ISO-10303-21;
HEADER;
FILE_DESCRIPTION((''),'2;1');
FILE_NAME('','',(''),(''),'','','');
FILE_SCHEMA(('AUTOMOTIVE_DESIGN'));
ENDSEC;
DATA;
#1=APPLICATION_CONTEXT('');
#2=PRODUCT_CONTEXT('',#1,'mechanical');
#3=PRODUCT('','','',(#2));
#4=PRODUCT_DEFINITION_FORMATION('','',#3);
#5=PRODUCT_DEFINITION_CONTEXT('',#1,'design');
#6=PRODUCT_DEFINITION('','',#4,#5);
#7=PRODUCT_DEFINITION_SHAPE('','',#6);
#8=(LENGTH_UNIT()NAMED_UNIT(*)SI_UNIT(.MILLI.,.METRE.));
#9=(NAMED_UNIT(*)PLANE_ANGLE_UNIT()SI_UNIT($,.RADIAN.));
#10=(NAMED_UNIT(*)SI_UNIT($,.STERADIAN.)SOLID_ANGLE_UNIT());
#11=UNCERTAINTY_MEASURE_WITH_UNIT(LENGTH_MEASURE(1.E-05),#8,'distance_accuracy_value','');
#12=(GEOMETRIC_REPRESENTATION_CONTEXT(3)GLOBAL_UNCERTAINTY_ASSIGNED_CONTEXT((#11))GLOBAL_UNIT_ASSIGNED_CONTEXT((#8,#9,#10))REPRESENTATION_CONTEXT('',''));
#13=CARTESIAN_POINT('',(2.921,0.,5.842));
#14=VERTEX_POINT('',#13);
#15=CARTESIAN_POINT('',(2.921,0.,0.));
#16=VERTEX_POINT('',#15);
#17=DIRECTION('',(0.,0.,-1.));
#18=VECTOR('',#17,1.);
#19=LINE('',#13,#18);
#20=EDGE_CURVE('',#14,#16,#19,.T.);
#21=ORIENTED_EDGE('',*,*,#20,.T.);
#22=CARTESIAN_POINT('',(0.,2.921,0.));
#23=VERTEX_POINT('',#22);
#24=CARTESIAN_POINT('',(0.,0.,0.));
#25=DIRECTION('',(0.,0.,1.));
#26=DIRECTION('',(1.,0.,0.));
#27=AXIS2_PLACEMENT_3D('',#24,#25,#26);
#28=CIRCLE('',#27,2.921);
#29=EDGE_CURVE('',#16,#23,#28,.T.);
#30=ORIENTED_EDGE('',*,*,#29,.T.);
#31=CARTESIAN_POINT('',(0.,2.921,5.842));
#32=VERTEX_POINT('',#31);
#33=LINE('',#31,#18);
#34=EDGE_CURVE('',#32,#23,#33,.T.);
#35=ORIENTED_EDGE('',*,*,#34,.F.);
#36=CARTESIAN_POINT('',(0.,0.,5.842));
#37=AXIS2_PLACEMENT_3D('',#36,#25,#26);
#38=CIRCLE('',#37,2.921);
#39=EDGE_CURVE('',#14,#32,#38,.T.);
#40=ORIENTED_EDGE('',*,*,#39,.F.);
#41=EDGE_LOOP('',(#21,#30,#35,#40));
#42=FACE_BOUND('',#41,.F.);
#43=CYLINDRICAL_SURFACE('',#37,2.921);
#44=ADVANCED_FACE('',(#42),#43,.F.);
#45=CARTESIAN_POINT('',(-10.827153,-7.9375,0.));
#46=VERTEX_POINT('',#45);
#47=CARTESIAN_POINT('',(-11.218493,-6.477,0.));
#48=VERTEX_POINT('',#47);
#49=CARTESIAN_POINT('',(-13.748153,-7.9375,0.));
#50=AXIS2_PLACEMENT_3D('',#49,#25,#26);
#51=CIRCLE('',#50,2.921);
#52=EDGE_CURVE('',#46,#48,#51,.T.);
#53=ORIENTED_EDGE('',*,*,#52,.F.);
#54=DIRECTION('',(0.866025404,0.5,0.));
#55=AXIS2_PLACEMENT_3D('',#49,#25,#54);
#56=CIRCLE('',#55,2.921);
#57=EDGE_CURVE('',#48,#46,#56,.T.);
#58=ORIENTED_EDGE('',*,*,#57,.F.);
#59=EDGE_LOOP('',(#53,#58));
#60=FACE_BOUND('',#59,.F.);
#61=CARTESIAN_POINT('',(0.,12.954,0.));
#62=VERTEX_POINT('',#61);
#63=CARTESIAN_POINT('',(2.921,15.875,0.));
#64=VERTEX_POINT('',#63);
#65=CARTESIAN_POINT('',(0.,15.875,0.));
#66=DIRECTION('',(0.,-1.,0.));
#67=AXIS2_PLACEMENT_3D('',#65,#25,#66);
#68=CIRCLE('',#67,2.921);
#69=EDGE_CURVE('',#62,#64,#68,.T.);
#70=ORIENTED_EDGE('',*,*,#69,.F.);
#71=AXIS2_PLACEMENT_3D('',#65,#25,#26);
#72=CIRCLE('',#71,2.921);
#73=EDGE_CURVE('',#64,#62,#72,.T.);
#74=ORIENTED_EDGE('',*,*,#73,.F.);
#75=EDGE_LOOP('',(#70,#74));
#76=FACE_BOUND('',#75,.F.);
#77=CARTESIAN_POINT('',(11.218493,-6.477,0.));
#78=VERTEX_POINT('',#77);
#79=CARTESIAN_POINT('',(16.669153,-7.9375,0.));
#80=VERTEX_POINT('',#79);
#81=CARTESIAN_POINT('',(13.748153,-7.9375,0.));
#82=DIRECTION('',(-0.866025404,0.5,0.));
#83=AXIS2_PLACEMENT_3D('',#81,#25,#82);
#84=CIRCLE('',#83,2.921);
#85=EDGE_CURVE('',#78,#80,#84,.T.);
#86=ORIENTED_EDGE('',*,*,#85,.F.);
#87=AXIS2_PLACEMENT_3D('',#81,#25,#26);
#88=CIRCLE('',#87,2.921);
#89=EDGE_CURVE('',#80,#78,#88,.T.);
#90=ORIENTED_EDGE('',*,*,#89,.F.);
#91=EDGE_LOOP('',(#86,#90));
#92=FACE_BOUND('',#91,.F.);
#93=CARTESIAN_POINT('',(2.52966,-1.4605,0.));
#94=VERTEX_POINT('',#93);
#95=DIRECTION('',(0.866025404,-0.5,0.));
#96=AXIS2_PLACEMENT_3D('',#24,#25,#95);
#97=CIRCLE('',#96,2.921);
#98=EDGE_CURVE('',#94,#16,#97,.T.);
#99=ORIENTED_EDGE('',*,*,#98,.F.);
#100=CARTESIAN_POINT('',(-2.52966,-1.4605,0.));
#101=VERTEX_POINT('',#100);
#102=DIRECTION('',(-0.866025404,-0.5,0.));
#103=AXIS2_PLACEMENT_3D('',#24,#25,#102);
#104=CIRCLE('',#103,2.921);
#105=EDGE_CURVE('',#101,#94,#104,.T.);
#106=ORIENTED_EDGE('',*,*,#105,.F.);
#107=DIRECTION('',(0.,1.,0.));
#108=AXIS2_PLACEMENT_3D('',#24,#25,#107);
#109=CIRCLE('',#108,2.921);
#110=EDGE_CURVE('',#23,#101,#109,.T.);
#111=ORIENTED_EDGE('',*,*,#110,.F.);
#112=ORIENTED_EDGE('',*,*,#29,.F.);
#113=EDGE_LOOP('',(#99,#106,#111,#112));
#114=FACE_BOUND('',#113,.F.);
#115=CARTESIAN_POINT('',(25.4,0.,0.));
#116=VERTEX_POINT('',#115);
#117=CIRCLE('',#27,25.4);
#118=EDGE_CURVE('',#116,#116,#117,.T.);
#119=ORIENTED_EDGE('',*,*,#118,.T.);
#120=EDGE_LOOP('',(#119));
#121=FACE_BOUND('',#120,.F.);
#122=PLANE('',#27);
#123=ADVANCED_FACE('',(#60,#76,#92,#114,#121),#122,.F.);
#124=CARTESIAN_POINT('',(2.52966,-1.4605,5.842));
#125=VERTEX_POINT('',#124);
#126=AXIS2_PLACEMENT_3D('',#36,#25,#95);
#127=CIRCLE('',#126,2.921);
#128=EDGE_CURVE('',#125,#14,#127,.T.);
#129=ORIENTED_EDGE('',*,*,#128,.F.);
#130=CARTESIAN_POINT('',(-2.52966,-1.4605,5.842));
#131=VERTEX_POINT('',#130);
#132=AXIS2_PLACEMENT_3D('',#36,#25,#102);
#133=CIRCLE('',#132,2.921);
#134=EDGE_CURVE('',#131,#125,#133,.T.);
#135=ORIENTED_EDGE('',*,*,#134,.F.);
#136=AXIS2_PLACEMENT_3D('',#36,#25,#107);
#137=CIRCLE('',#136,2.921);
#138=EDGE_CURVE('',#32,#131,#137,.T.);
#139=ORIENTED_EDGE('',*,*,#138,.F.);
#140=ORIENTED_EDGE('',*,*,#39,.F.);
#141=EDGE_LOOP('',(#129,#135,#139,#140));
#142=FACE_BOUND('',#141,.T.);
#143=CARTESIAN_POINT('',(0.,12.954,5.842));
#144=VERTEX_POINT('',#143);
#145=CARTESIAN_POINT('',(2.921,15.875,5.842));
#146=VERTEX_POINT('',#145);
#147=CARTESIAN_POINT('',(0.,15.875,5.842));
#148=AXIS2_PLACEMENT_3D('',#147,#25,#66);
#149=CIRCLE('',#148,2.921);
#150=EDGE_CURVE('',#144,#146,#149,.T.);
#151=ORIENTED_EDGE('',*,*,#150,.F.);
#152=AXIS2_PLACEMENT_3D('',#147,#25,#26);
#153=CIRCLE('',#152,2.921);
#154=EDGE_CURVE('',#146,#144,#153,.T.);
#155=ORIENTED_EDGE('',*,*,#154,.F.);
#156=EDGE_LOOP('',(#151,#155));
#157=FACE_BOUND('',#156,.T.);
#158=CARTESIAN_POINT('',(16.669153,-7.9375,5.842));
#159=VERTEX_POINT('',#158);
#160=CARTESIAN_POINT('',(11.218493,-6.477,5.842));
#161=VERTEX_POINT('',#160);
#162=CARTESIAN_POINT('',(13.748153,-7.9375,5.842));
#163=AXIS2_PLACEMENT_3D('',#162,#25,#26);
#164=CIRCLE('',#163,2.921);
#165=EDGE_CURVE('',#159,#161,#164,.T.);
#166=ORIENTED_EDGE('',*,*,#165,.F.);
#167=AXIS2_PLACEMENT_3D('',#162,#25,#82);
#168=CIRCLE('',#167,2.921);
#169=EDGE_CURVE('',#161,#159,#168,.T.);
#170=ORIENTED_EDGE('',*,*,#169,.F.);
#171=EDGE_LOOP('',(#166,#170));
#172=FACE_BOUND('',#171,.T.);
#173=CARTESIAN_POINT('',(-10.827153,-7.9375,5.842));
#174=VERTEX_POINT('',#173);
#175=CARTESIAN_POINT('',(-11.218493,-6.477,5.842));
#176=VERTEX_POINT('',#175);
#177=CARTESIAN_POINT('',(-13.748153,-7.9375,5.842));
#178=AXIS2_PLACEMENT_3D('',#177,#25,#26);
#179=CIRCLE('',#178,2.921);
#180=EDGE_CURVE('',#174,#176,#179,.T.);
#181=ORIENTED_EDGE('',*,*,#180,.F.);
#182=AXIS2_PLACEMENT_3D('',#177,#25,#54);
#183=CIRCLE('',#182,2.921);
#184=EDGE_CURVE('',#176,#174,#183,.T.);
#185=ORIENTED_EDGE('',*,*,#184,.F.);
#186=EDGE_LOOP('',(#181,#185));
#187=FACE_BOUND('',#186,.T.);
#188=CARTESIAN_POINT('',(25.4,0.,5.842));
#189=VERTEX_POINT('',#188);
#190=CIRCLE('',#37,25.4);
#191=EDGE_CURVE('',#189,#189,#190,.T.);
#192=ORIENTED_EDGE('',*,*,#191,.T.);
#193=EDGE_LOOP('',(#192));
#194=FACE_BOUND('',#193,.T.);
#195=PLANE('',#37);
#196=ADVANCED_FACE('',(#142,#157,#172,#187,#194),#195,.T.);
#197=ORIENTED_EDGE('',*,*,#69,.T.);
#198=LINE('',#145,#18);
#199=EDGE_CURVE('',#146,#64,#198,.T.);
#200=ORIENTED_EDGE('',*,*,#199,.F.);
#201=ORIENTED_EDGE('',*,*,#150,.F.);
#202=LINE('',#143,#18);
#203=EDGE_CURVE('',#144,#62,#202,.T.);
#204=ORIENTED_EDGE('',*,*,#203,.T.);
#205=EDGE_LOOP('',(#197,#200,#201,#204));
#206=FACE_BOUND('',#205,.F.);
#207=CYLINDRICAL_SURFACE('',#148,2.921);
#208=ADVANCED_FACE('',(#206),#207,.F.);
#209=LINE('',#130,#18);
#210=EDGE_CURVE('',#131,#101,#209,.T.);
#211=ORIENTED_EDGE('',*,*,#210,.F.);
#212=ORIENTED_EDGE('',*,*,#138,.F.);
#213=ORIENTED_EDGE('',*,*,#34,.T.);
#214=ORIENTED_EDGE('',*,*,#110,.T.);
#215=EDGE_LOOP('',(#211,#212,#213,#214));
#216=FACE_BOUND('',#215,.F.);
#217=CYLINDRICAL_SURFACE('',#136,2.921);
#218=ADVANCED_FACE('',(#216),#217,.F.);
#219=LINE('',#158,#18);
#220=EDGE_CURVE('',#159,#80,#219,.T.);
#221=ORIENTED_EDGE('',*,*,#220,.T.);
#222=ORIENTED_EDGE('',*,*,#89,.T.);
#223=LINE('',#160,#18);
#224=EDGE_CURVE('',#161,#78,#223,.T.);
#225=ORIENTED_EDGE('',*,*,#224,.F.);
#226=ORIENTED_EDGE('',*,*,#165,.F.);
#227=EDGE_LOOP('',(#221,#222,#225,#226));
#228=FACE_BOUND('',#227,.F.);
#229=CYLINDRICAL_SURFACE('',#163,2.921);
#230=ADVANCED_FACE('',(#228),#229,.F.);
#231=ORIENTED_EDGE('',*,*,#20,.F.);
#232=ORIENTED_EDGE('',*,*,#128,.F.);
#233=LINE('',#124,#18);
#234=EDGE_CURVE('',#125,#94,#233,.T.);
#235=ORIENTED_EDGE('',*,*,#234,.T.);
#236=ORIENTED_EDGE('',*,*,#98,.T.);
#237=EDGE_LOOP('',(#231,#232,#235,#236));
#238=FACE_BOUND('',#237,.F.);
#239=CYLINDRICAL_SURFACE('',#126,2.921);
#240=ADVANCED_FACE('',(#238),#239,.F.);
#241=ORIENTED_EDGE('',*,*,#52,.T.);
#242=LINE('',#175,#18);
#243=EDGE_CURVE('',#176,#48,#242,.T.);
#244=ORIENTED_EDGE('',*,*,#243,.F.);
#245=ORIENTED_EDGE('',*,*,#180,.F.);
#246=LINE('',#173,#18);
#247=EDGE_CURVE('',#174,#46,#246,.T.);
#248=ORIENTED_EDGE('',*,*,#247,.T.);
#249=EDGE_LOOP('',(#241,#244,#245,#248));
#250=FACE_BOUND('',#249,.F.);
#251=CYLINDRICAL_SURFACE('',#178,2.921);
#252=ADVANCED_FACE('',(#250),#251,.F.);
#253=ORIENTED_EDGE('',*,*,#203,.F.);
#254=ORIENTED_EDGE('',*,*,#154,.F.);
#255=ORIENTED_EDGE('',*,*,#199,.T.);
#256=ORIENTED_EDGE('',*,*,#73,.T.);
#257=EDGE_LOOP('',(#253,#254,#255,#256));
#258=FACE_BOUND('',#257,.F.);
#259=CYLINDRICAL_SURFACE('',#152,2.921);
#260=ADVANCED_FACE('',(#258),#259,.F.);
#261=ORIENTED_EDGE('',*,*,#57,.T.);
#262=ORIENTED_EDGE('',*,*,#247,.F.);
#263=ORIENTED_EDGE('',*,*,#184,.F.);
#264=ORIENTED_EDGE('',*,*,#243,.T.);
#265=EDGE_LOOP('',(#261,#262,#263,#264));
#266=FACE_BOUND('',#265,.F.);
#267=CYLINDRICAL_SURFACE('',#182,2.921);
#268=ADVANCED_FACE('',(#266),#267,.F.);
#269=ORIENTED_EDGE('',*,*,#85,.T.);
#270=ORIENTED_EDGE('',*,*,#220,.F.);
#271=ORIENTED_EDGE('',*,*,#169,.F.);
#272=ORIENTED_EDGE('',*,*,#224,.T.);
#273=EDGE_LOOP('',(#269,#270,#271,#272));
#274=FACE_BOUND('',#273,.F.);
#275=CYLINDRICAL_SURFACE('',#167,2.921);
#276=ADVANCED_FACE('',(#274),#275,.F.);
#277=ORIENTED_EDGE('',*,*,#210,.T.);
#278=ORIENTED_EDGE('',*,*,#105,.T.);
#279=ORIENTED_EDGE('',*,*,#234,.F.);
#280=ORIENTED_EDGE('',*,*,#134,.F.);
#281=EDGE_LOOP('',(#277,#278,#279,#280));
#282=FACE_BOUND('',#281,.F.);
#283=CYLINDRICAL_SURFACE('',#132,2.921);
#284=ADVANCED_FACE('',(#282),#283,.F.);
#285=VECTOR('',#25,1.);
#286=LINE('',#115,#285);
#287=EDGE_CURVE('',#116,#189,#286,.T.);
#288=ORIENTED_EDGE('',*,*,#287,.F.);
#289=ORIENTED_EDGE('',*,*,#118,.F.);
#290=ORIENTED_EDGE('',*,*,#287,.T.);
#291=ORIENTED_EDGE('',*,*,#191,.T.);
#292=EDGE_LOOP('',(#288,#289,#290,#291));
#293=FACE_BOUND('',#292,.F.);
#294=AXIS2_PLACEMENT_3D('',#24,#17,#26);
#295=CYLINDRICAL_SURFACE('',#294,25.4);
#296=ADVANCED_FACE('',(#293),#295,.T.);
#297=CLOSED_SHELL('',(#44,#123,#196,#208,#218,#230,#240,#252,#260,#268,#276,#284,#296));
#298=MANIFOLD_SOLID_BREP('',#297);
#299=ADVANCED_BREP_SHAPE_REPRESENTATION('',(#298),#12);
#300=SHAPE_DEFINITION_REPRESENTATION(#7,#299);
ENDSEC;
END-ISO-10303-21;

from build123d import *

# Parameters (mm, degrees)
F0_R     = 25.4
F1_DEPTH = 5.842
F3_DEPTH = 5.842


with BuildPart() as f1:
    # F0 (on Top) → F1 (new body)
    with BuildSketch(Plane.XY):
        Circle(F0_R)
    extrude(amount=F1_DEPTH)

    # F2 (on face) → F3 (cut, through all)
    with BuildSketch(Plane.XY.offset(5.842)):
        with BuildLine():
            ThreePointArc((0, 12.954), (2.0654589078, 13.8095410922), (2.921, 15.875))
            ThreePointArc((2.921, 15.875), (-2.0654589078, 17.9404589078), (0, 12.954))
        make_face()
        with BuildLine():
            ThreePointArc((-10.8271532851, -7.9375), (-10.9266839465, -7.1814895693), (-11.2184930806, -6.477))
            ThreePointArc((-11.2184930806, -6.477), (-16.5696226237, -8.6935104307), (-10.8271532851, -7.9375))
        make_face()
        with BuildLine():
            ThreePointArc((16.6691532851, -7.9375), (14.5041637158, -5.1160306614), (11.2184930806, -6.477))
            ThreePointArc((11.2184930806, -6.477), (12.9921428543, -10.7589693386), (16.6691532851, -7.9375))
        make_face()
        with BuildLine():
            Line((0, 0), (0, 2.921))
            ThreePointArc((0, 2.921), (-2.5296602045, 1.4605), (-2.5296602045, -1.4605))
            Line((-2.5296602045, -1.4605), (0, 0))
        make_face()
        with BuildLine():
            ThreePointArc((2.921, 0), (2.0654589078, 2.0654589078), (0, 2.921))
            Line((0, 2.921), (0, 0))
            Line((0, 0), (2.5296602045, -1.4605))
            ThreePointArc((2.5296602045, -1.4605), (2.8214693386, -0.7560104307), (2.921, 0))
        make_face()
        with BuildLine():
            Line((2.5296602045, -1.4605), (0, 0))
            Line((0, 0), (-2.5296602045, -1.4605))
            ThreePointArc((-2.5296602045, -1.4605), (0, -2.921), (2.5296602045, -1.4605))
        make_face()
    extrude(amount=-F3_DEPTH, mode=Mode.SUBTRACT)


solid = f1.part
